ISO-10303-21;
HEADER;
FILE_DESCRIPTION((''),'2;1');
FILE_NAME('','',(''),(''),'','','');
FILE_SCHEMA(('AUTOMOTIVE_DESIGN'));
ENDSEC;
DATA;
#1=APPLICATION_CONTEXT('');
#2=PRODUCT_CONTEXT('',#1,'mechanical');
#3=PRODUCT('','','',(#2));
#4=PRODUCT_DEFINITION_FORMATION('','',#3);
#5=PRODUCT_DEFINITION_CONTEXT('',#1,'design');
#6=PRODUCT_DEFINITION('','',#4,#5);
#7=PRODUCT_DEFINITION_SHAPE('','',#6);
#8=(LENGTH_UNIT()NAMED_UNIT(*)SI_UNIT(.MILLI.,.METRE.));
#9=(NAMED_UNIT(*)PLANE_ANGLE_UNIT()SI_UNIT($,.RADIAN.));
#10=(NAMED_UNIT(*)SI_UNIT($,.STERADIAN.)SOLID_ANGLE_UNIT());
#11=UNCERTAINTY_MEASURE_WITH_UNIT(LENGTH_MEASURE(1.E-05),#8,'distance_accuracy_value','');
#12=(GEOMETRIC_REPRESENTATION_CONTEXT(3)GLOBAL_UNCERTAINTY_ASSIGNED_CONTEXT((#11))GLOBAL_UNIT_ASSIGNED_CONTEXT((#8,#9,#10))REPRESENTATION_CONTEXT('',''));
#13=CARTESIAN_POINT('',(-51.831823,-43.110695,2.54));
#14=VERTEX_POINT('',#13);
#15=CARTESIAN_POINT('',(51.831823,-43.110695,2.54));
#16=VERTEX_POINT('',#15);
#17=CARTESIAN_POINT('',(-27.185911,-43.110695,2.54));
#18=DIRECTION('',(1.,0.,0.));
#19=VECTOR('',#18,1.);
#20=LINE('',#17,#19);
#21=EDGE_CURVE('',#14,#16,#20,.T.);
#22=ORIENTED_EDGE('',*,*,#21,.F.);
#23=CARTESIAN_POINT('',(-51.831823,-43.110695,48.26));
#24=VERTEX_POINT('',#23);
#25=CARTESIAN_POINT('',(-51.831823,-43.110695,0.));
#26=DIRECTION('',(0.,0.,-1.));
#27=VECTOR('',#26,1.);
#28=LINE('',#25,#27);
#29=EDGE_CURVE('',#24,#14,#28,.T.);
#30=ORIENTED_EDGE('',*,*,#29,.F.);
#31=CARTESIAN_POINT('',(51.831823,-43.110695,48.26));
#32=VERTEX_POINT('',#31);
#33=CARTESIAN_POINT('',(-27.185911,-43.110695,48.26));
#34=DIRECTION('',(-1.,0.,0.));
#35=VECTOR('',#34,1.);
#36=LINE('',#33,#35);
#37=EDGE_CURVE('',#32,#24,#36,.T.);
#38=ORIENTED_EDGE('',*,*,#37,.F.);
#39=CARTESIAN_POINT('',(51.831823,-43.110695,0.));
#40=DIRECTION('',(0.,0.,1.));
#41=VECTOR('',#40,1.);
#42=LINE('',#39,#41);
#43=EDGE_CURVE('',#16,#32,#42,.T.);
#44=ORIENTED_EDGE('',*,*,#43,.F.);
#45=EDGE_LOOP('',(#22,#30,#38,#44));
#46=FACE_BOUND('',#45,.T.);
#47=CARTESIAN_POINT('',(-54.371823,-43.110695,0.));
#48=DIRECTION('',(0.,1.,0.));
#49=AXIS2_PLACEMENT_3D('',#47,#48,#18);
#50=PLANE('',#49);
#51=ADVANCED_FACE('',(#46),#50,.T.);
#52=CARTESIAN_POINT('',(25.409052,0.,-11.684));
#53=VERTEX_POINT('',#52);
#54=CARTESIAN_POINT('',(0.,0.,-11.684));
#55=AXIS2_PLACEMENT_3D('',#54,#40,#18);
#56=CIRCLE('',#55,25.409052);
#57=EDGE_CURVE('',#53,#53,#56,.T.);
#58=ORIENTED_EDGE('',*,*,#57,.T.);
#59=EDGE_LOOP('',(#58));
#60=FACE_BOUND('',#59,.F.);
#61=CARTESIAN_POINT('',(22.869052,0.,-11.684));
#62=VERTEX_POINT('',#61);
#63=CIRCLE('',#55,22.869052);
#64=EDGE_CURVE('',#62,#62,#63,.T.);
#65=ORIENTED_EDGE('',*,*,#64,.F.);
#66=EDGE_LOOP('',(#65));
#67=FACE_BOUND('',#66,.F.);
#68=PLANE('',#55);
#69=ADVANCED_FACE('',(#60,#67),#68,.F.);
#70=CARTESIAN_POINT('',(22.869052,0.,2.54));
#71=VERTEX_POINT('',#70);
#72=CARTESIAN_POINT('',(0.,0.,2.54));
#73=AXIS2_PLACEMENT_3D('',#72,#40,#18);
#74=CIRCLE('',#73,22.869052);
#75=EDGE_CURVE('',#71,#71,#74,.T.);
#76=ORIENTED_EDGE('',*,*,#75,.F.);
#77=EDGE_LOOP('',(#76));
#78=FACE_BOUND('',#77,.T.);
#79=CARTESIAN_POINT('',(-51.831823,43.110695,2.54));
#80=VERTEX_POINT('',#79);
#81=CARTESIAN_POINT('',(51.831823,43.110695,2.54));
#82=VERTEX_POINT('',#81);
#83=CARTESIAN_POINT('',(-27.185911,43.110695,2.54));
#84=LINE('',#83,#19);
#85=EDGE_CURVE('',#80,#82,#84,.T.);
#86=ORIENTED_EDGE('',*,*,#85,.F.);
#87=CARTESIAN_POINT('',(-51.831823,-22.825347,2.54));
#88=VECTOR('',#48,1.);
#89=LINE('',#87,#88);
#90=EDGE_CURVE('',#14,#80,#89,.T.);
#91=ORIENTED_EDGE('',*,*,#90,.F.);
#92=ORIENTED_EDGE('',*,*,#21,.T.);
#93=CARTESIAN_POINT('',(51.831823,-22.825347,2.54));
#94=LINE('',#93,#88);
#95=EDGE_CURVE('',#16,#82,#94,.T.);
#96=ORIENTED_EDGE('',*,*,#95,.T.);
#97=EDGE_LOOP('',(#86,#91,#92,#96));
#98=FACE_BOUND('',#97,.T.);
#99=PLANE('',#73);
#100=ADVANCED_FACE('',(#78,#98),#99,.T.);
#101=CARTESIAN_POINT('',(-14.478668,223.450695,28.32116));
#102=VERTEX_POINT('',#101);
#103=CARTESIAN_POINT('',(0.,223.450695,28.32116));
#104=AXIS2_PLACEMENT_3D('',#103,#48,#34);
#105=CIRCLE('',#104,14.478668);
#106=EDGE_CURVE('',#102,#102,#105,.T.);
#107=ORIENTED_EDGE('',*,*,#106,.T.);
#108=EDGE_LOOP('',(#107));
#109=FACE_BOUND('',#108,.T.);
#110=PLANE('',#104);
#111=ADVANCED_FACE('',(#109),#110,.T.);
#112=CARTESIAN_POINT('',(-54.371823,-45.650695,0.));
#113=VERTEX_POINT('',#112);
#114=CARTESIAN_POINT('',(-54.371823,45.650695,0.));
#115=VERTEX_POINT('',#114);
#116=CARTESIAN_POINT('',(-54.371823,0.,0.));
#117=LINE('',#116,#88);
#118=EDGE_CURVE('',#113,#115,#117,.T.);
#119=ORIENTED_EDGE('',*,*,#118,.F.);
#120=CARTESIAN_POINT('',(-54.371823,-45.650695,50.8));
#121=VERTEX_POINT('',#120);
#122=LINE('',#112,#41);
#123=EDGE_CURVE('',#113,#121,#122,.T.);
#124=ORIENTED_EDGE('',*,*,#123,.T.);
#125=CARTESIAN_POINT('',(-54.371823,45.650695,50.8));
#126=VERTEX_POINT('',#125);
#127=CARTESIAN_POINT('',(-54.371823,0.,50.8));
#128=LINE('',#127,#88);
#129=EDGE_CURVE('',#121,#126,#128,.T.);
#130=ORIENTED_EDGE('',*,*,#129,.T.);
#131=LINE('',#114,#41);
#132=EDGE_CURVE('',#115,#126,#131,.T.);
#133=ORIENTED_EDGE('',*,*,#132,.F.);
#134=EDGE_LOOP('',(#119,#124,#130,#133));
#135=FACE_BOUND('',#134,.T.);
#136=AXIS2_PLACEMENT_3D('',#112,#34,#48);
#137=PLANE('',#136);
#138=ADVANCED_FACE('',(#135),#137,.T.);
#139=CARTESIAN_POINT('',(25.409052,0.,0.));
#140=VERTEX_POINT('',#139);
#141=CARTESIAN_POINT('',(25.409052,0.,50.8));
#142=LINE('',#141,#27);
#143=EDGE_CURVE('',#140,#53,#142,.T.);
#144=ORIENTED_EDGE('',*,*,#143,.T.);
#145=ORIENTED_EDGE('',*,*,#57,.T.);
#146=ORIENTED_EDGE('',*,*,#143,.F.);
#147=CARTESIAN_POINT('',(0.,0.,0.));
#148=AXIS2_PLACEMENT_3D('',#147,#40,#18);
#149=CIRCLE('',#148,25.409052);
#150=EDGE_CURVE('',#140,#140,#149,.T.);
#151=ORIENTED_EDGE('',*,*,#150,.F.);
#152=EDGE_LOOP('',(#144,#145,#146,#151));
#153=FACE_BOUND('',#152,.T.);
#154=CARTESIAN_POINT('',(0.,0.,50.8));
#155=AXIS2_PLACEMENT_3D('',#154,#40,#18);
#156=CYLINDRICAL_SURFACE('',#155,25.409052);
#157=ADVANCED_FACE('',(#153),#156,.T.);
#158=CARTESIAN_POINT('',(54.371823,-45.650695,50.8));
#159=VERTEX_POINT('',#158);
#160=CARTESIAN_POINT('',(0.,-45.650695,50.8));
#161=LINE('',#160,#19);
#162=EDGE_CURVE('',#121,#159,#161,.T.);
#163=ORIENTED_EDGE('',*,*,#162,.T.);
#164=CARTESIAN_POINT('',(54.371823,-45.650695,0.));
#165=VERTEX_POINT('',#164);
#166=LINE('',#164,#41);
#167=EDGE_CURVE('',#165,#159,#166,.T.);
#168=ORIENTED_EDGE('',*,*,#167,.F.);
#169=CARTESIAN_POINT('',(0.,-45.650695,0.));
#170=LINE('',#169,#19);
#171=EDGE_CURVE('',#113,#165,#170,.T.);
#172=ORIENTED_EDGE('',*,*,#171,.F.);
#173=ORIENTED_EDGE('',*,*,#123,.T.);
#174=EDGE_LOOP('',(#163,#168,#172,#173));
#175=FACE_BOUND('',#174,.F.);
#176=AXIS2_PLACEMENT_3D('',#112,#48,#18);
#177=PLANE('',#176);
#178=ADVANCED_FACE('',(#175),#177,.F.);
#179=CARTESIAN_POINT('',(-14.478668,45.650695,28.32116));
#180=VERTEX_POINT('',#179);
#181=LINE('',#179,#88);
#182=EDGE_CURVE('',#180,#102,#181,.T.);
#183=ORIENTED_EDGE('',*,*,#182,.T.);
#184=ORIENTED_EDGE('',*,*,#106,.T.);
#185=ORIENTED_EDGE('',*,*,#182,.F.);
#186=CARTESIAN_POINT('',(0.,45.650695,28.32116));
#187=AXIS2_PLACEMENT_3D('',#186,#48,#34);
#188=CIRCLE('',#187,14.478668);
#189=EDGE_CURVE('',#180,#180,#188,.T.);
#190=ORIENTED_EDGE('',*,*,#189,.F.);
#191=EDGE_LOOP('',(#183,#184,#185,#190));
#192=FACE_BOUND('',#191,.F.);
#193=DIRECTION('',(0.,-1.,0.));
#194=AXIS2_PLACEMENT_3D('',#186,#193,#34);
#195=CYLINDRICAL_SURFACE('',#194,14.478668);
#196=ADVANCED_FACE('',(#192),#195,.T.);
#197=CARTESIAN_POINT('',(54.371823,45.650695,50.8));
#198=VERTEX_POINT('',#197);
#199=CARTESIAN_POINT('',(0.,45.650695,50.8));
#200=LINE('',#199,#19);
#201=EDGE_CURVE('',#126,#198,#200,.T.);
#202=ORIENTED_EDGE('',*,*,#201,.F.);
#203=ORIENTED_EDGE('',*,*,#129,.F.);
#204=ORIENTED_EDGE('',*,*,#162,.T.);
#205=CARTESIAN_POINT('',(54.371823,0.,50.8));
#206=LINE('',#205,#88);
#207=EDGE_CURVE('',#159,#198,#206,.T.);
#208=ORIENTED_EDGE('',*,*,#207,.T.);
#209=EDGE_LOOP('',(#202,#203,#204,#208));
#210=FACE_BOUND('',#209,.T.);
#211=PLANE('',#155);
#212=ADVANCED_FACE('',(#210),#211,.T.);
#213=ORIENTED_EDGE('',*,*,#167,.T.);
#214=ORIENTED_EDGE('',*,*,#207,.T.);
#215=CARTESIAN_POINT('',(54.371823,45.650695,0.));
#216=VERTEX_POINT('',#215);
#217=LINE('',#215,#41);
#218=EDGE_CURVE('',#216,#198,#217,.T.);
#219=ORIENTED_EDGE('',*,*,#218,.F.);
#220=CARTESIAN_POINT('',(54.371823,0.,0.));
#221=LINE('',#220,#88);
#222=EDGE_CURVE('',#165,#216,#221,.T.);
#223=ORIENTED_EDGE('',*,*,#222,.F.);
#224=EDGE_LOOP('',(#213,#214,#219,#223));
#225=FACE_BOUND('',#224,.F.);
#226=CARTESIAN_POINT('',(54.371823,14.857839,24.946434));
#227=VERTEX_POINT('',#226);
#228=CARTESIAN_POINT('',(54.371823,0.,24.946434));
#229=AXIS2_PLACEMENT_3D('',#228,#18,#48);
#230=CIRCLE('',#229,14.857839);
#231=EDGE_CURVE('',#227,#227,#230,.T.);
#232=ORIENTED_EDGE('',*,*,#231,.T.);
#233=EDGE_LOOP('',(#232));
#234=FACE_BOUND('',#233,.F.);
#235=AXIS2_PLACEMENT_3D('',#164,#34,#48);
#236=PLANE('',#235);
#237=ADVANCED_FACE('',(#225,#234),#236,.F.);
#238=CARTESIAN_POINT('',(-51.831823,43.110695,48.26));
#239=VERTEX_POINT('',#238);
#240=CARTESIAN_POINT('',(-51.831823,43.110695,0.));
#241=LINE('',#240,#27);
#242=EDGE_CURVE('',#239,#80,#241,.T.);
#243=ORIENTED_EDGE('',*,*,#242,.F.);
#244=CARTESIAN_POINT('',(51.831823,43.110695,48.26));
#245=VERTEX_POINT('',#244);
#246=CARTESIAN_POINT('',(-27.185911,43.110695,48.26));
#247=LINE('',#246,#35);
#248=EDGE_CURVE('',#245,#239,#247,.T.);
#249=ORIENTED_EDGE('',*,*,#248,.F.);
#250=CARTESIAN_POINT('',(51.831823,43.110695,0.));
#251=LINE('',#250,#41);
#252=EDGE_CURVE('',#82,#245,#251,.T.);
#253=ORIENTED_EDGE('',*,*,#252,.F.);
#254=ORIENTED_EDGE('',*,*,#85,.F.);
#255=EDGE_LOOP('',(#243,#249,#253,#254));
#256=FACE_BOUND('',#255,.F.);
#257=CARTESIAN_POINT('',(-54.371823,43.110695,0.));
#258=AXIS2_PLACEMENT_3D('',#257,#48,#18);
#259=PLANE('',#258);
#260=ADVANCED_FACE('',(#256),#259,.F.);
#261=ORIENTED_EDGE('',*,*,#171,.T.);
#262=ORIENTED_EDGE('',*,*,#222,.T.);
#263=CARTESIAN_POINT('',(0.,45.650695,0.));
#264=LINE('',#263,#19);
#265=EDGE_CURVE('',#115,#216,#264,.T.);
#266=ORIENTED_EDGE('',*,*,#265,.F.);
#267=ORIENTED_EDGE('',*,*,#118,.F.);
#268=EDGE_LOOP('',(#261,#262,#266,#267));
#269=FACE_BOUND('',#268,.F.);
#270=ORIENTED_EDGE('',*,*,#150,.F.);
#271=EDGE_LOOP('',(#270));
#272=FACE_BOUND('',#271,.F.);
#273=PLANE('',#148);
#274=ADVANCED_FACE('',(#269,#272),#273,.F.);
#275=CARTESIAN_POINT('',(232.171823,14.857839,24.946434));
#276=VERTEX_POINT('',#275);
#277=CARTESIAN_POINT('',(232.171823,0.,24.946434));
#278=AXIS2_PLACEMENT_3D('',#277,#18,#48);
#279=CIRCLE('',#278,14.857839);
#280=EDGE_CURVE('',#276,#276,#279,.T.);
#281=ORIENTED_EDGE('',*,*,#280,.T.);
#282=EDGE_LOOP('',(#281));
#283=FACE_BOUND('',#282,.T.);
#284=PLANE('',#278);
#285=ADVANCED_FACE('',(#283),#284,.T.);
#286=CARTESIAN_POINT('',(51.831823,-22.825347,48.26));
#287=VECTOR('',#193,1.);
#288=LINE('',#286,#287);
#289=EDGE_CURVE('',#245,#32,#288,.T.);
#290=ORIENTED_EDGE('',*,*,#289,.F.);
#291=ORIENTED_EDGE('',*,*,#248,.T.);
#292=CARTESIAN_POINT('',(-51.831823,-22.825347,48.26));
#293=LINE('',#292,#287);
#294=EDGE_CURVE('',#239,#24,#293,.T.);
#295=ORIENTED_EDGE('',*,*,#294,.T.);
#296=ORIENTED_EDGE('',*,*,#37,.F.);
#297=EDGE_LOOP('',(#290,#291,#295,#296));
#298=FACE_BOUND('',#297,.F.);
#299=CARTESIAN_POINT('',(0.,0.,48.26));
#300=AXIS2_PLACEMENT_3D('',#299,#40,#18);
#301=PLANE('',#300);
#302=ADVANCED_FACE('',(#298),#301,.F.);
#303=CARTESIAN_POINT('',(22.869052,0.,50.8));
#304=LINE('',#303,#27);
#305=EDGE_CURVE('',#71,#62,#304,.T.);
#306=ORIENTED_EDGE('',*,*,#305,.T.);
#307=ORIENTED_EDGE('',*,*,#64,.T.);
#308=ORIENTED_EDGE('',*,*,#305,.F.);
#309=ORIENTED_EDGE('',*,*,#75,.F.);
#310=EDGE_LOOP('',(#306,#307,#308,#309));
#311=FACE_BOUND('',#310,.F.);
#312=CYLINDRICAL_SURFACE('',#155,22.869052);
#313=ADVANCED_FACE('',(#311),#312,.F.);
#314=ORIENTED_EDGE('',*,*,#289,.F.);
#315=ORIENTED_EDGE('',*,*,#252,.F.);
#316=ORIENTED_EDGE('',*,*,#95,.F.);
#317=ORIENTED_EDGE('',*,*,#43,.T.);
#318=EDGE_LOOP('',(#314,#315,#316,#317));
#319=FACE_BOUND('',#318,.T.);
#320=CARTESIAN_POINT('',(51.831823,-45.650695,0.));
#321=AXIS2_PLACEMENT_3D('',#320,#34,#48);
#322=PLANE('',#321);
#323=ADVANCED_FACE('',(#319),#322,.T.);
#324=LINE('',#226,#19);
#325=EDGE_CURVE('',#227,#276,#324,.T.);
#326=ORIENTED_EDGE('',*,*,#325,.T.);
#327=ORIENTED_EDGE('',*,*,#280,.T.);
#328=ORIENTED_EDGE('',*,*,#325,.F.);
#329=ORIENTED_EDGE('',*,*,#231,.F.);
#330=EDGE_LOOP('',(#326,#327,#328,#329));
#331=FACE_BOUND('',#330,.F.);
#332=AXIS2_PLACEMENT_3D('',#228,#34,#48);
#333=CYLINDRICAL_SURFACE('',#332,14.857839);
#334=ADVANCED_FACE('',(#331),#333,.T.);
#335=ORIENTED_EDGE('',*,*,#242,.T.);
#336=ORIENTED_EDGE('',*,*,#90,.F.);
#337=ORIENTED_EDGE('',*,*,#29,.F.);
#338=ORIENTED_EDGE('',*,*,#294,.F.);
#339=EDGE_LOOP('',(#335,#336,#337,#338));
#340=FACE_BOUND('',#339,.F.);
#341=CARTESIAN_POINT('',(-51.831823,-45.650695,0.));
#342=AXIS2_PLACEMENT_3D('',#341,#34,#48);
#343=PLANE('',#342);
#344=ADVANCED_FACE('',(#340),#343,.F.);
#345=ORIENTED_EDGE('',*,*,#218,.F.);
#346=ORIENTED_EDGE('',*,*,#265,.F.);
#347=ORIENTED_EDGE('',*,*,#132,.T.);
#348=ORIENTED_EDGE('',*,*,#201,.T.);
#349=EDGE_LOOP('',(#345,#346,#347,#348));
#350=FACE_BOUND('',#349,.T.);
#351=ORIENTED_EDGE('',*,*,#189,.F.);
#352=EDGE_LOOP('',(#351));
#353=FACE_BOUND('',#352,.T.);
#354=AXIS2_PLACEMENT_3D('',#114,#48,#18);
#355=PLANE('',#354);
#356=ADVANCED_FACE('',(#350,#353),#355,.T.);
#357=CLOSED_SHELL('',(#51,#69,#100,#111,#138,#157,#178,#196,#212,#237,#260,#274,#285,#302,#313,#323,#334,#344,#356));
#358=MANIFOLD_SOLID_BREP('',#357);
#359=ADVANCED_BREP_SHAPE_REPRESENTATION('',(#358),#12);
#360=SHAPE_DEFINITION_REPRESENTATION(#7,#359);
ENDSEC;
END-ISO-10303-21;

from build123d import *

# Parameters (mm, degrees)
F0_W     = 108.7436452508
F0_H     = 91.3013890386
F1_DEPTH = 50.8
F2_R     = 25.409051706
F3_DEPTH = 62.484
F4_T     = -2.54
F5_R     = 14.8578389164
F6_DEPTH = 177.8
F7_R     = 14.4786681192
F8_DEPTH = 177.8


with BuildPart() as f1:
    # F0 (on Top) → F1 (new body)
    with BuildSketch(Plane.XY):
        Rectangle(F0_W, F0_H)
    extrude(amount=F1_DEPTH)

    # F2 (on face) → F3 (join)
    with BuildSketch(Plane.XY.offset(50.8)):
        Circle(F2_R)
    extrude(amount=-F3_DEPTH)

    # F4
    f4_openings = [f1.faces().sort_by_distance(p)[0] for p in [
        (0, 0, -11.684),
    ]]
    offset(amount=F4_T, openings=f4_openings, kind=Kind.INTERSECTION)

    # F5 (on face) → F6 (join)
    with BuildSketch(Plane.YZ.offset(54.3718226254)):
        with Locations((0, 24.9464344233)):
            Circle(F5_R)
    extrude(amount=F6_DEPTH)

    # F7 (on face) → F8 (join)
    with BuildSketch(Plane(origin=(0, 45.6506945193, 0), x_dir=(-1, 0, 0), z_dir=(0, 1, 0))):
        with Locations((0, 28.3211600035)):
            Circle(F7_R)
    extrude(amount=F8_DEPTH)


solid = f1.part
